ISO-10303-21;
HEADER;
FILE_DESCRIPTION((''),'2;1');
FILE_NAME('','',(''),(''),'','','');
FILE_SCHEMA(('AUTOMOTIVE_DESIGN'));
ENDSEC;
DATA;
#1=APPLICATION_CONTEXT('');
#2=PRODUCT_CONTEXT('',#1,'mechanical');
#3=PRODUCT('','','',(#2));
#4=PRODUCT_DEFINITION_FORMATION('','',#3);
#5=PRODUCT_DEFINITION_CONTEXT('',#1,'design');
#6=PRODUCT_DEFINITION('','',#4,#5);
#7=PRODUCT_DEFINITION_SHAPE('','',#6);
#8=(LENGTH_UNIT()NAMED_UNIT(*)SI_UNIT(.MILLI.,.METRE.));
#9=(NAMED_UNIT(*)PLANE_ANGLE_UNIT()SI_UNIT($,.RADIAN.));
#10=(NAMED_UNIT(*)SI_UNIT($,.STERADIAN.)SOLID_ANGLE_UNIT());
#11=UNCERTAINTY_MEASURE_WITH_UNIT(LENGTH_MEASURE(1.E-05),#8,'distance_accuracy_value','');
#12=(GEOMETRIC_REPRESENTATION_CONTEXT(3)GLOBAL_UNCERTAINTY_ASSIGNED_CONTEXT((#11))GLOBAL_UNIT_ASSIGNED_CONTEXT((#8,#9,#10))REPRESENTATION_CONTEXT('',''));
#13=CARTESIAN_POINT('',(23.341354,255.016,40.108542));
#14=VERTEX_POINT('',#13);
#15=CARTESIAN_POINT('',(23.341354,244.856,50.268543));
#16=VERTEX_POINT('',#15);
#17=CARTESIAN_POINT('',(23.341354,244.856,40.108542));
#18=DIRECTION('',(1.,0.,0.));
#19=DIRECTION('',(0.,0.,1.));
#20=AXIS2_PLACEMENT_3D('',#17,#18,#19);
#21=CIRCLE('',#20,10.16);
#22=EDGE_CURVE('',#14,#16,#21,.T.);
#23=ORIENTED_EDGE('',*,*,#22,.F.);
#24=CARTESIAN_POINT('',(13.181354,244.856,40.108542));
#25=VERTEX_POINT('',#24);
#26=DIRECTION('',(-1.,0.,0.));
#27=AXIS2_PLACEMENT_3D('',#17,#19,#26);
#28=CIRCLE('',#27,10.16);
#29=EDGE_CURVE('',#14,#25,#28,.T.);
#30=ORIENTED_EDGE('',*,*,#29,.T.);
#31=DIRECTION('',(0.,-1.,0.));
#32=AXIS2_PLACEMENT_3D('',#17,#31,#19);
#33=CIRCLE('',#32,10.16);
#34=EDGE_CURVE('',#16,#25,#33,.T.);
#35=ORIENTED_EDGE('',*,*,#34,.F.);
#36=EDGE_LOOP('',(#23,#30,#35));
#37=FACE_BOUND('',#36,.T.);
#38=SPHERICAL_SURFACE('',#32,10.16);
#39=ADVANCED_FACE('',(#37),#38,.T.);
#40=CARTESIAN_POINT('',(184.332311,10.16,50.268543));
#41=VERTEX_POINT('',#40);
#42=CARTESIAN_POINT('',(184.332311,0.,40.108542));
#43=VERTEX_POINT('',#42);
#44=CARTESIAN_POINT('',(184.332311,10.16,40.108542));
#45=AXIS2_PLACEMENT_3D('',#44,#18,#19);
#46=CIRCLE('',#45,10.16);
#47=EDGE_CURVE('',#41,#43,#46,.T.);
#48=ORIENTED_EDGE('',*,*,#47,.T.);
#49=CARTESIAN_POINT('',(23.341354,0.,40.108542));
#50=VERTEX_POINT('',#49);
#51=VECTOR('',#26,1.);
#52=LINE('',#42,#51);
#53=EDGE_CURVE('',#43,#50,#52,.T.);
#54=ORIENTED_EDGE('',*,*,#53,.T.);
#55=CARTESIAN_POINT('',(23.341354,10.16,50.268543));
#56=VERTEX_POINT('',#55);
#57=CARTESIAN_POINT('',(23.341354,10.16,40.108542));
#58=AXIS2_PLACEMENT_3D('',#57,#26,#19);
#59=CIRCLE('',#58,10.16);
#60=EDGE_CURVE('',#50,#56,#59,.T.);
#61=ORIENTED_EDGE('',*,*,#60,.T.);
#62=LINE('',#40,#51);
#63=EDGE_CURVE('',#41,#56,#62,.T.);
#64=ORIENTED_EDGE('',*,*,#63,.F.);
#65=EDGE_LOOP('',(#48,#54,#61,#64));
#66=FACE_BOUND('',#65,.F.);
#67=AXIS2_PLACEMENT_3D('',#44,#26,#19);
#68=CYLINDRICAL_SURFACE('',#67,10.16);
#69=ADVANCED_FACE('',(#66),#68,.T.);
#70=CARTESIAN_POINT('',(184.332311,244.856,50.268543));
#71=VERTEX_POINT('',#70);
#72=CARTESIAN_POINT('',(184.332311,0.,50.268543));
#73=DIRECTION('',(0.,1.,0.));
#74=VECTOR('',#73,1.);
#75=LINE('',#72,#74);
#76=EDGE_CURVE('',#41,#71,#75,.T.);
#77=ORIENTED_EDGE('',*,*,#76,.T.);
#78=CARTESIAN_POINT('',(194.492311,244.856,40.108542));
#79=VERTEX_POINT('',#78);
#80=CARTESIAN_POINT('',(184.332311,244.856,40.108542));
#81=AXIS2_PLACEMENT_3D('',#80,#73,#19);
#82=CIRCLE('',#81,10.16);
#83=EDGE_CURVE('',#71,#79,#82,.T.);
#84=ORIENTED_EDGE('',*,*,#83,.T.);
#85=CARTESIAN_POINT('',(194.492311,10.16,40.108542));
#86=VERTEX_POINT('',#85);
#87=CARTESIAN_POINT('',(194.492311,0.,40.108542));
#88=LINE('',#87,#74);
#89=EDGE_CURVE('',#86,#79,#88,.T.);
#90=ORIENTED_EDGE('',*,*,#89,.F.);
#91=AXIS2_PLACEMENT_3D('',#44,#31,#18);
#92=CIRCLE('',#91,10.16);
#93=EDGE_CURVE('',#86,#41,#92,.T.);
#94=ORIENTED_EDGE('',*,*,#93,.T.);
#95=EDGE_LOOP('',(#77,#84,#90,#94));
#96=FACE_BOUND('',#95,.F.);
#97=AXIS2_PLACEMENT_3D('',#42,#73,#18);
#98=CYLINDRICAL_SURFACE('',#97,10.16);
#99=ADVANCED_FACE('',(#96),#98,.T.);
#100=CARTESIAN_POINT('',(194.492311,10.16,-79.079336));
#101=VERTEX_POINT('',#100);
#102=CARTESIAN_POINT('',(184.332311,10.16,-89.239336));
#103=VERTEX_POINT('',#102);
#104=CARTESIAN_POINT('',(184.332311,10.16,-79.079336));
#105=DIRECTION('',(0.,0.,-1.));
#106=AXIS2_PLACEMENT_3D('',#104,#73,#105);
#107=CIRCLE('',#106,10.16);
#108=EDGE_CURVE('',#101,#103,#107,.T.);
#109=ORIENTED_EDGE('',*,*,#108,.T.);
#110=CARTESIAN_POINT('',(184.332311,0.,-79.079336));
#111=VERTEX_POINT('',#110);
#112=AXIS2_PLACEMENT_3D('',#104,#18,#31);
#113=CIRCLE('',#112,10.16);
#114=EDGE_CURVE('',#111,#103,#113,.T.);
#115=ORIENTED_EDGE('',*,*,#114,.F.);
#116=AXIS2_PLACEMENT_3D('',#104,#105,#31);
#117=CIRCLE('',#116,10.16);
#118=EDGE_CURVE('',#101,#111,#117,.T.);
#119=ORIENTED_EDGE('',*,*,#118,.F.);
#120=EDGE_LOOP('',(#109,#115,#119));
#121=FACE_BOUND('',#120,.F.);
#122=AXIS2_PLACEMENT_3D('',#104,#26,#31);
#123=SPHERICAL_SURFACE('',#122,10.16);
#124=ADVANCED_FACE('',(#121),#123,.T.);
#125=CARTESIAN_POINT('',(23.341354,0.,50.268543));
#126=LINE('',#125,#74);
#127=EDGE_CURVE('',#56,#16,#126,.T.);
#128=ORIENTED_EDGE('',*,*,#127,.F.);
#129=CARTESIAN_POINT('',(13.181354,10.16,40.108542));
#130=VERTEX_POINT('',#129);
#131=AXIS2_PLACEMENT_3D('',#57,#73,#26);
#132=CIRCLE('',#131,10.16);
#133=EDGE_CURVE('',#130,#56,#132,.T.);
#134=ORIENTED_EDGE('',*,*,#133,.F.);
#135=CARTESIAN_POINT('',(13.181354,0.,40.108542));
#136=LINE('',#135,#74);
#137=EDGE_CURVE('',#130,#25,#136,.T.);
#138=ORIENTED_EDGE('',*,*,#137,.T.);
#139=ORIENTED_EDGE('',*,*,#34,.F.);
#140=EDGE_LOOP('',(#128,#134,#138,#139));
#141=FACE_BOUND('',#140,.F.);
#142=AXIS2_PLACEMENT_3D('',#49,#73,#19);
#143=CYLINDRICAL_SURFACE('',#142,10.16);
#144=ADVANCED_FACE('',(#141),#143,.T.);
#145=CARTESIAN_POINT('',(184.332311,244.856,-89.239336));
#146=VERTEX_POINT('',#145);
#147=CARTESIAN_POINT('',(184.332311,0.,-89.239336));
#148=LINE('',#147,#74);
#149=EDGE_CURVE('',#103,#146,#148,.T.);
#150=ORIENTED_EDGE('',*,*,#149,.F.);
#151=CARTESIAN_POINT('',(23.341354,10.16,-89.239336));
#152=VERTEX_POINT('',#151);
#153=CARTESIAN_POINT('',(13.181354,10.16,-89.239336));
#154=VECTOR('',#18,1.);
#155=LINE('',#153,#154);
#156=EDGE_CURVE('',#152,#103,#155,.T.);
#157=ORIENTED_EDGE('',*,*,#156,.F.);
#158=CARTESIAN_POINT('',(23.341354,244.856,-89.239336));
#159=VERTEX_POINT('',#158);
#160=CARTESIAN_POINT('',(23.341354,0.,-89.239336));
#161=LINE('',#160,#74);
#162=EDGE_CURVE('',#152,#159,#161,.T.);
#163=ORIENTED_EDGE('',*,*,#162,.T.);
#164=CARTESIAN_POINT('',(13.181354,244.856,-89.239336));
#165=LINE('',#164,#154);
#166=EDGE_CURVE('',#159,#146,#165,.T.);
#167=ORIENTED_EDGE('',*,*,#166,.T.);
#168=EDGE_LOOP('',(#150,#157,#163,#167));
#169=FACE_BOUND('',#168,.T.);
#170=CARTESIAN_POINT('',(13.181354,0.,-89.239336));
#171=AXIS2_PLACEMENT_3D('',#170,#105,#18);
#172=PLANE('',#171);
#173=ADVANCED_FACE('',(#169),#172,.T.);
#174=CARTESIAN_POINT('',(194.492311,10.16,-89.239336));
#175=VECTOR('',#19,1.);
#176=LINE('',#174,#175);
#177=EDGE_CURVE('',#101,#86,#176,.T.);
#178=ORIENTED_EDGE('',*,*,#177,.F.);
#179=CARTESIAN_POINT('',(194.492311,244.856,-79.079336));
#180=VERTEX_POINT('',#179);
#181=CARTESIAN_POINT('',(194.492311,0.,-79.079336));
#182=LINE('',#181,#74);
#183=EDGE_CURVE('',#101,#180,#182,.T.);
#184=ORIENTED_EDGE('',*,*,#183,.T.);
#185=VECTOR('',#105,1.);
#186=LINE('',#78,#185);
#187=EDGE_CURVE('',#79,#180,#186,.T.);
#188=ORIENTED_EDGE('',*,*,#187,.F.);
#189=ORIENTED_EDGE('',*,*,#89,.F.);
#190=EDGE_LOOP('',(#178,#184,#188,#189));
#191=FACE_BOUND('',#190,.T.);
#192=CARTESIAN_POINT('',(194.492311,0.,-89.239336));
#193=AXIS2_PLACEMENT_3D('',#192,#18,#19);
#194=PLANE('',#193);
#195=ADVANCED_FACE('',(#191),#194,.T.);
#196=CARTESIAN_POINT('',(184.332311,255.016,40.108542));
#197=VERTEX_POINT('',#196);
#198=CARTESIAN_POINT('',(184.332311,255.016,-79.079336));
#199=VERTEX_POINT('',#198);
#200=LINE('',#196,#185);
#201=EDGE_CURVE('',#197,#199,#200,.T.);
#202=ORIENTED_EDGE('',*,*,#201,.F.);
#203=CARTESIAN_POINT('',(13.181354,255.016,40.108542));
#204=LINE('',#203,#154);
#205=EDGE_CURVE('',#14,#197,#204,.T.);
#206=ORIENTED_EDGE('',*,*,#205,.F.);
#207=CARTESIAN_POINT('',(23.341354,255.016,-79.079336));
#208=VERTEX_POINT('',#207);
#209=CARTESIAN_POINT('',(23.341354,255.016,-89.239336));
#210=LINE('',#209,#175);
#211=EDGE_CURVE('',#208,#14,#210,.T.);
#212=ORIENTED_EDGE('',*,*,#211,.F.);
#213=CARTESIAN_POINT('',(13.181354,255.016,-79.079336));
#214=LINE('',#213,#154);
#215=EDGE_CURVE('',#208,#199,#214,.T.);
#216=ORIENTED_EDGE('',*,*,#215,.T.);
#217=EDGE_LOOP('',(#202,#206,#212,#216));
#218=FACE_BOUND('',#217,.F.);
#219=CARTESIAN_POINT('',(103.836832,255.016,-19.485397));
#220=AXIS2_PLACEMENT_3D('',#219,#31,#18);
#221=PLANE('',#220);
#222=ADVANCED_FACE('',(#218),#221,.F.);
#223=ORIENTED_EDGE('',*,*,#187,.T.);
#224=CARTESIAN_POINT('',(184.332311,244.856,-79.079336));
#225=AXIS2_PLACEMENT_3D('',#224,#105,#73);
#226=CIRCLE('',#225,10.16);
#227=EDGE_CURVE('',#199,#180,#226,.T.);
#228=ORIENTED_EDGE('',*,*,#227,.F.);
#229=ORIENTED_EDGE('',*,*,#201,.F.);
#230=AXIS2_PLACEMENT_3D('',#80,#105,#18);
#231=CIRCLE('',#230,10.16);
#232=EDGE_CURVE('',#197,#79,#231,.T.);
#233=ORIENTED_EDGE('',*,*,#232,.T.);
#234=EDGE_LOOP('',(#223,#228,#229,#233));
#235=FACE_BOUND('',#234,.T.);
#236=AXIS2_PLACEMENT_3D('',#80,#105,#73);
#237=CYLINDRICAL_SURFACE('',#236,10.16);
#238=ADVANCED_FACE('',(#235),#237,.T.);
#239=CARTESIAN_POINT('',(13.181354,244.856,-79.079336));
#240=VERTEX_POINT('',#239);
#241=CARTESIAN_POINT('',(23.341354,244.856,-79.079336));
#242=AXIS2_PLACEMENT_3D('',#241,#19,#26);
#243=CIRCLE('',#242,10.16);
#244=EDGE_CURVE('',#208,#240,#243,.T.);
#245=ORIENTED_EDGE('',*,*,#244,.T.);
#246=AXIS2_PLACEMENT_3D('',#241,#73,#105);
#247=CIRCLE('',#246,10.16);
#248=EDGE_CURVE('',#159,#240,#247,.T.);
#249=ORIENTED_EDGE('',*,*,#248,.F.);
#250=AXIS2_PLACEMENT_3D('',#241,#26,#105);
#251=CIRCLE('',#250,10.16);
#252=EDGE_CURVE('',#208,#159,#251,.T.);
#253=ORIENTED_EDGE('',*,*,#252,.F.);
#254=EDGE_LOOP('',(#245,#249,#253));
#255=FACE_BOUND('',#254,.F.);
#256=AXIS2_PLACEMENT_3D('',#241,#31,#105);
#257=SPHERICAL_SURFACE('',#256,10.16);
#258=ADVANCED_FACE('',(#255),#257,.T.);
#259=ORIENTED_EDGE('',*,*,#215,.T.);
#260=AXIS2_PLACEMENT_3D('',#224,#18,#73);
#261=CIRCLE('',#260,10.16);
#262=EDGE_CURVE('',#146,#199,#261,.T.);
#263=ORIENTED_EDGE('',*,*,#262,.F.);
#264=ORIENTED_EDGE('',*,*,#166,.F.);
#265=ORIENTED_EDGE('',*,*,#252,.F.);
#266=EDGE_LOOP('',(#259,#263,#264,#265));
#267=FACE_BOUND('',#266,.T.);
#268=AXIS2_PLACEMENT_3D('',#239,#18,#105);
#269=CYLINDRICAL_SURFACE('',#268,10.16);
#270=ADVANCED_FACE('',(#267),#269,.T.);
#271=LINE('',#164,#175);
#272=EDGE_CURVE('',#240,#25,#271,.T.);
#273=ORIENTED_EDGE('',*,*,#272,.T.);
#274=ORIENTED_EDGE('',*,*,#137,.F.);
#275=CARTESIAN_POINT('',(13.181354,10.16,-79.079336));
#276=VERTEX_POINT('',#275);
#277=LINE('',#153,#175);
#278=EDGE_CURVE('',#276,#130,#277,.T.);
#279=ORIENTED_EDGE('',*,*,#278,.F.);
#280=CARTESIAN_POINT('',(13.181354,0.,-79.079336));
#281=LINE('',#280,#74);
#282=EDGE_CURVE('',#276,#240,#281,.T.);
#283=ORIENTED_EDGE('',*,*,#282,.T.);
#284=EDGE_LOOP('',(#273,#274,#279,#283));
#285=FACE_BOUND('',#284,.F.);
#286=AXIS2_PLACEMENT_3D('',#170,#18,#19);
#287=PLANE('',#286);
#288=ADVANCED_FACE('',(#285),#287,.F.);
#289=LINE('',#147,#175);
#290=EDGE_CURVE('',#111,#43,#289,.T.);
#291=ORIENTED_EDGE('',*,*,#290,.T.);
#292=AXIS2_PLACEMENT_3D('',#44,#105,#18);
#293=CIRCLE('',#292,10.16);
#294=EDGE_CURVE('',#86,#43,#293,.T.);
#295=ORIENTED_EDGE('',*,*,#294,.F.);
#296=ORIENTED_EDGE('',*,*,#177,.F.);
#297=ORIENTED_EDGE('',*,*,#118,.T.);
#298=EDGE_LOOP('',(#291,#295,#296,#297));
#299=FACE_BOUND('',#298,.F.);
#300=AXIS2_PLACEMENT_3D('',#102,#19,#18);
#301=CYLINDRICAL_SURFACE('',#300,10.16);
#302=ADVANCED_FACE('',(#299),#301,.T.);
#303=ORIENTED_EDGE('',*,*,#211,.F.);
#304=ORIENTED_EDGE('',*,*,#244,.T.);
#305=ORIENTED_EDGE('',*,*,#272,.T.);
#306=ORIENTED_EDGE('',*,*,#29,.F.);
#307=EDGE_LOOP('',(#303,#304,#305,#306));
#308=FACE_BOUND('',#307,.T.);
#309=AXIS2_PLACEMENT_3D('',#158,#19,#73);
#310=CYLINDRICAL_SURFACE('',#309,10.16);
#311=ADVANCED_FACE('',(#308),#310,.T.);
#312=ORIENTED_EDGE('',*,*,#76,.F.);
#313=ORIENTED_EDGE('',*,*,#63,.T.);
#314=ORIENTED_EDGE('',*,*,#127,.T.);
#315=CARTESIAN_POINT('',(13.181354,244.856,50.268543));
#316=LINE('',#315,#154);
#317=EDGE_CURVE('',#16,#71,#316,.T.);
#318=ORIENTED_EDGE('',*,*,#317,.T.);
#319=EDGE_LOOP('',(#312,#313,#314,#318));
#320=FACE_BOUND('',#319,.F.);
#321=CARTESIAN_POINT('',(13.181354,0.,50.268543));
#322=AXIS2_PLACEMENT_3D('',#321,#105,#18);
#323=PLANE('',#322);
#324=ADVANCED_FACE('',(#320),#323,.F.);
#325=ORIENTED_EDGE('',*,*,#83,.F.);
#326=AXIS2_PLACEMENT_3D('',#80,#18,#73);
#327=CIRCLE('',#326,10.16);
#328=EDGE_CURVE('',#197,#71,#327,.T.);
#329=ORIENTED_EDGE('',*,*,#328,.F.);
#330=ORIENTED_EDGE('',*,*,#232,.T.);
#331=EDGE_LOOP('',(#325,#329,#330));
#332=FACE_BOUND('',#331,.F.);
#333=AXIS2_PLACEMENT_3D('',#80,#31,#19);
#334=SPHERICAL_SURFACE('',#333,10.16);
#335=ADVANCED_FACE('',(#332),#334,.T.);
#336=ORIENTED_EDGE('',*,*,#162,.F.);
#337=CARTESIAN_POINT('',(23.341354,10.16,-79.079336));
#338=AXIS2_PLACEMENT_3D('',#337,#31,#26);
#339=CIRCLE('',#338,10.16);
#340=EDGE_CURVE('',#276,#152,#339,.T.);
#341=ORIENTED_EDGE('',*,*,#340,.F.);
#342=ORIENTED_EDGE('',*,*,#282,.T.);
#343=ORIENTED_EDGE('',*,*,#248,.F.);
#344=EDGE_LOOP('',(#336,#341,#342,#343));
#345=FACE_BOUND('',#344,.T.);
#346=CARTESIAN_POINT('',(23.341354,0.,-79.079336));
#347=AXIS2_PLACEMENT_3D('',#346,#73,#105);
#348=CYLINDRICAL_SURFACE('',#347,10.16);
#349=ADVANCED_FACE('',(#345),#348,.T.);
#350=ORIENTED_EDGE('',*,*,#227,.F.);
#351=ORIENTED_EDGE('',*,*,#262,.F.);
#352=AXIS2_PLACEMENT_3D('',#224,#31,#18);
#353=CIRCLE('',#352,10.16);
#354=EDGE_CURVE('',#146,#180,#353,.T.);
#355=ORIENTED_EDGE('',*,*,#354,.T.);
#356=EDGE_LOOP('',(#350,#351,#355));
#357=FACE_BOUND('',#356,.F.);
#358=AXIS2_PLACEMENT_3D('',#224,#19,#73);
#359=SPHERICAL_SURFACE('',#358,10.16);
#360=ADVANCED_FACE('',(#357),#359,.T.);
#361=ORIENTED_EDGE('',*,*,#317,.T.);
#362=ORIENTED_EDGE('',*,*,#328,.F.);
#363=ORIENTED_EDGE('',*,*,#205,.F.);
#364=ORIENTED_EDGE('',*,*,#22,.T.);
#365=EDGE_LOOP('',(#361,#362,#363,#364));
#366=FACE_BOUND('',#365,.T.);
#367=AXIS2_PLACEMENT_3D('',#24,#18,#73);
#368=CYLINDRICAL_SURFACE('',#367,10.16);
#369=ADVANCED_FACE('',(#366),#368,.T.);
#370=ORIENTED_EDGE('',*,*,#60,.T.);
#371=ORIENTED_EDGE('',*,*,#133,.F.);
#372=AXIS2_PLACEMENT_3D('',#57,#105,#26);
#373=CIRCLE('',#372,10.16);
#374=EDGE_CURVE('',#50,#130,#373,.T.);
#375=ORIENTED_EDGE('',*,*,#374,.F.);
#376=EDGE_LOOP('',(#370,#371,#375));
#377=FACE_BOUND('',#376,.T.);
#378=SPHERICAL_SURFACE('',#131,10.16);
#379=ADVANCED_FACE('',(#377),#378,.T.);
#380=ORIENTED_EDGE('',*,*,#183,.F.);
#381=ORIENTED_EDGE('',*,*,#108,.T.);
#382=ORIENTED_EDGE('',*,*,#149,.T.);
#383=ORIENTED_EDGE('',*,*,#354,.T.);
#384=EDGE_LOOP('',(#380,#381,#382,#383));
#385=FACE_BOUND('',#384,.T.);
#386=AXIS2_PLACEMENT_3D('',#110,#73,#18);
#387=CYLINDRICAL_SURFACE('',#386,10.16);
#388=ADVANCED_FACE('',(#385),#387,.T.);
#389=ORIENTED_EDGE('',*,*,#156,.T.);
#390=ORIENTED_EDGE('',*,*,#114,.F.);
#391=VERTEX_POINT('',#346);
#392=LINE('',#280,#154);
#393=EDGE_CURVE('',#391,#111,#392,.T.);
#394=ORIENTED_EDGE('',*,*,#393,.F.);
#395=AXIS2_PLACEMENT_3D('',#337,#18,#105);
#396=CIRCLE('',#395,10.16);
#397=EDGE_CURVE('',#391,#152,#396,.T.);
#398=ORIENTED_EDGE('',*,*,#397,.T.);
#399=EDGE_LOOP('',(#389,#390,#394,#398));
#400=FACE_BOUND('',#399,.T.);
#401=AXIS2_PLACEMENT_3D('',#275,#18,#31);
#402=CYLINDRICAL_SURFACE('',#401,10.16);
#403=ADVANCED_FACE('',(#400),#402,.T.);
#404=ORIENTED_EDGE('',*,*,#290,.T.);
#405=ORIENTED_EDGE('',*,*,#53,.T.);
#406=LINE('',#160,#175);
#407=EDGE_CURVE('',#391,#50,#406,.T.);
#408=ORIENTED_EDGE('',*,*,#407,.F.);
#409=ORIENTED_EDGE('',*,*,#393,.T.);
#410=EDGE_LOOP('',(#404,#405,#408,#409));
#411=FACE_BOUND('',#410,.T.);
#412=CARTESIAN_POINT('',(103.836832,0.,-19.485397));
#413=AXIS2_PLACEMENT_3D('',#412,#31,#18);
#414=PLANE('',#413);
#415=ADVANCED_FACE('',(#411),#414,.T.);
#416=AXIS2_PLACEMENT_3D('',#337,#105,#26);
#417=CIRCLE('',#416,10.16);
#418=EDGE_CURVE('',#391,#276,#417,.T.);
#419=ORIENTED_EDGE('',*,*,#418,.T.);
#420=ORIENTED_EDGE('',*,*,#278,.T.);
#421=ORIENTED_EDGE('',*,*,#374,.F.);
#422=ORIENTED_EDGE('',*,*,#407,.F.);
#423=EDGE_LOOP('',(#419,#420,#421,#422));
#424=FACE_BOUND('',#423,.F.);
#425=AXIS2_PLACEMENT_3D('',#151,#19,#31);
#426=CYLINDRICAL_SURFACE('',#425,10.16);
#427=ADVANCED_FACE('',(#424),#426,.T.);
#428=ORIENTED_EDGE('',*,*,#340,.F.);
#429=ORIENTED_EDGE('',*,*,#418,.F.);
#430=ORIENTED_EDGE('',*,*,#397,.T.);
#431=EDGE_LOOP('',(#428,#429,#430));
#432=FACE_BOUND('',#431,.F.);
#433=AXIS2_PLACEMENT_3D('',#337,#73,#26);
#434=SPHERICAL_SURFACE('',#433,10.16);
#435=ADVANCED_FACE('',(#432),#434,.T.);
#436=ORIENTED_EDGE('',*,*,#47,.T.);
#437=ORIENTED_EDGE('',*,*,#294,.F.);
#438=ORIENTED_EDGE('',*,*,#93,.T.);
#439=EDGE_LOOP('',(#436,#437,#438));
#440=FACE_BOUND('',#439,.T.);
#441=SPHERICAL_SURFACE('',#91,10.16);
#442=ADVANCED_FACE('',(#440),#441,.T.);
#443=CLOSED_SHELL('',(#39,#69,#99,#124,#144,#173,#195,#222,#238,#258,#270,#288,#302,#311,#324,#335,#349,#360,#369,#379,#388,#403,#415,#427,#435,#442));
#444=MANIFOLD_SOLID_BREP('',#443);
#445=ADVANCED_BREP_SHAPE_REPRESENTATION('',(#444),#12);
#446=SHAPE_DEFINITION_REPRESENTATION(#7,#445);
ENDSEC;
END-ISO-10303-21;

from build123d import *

# Parameters (mm, degrees)
F0_W     = 181.310957
F0_H     = 139.507879
F1_DEPTH = 255.016
F2_R     = 10.16
F3_R     = 10.16


with BuildPart() as f1:
    # F0 (on Front) → F1 (new body)
    with BuildSketch(Plane.XZ):
        with Locations((103.836832, -19.485397)):
            Rectangle(F0_W, F0_H)
    extrude(amount=-F1_DEPTH)

    # F2
    f2_edges = [f1.edges().sort_by_distance(p)[0] for p in [
        (194.49231, 127.508, 50.268542),
    ]]
    fillet(f2_edges, radius=F2_R)

    # F3
    f3_edges = [f1.edges().sort_by_distance(p)[0] for p in [
        (13.181353, 127.508, 50.268542),
        (13.181353, 127.508, -89.239337),
        (98.756832, 255.016, 50.268542),
        (103.836832, 255.016, -89.239337),
        (13.181353, 255.016, -19.485397),
        (194.49231, 255.016, -24.565397),
        (13.181353, 0, -19.485397),
        (103.836832, 0, -89.239337),
        (194.49231, 0, -24.565397),
        (98.756832, 0, 50.268542),
        (194.49231, 127.508, -89.239337),
    ]]
    fillet(f3_edges, radius=F3_R)


solid = f1.part
